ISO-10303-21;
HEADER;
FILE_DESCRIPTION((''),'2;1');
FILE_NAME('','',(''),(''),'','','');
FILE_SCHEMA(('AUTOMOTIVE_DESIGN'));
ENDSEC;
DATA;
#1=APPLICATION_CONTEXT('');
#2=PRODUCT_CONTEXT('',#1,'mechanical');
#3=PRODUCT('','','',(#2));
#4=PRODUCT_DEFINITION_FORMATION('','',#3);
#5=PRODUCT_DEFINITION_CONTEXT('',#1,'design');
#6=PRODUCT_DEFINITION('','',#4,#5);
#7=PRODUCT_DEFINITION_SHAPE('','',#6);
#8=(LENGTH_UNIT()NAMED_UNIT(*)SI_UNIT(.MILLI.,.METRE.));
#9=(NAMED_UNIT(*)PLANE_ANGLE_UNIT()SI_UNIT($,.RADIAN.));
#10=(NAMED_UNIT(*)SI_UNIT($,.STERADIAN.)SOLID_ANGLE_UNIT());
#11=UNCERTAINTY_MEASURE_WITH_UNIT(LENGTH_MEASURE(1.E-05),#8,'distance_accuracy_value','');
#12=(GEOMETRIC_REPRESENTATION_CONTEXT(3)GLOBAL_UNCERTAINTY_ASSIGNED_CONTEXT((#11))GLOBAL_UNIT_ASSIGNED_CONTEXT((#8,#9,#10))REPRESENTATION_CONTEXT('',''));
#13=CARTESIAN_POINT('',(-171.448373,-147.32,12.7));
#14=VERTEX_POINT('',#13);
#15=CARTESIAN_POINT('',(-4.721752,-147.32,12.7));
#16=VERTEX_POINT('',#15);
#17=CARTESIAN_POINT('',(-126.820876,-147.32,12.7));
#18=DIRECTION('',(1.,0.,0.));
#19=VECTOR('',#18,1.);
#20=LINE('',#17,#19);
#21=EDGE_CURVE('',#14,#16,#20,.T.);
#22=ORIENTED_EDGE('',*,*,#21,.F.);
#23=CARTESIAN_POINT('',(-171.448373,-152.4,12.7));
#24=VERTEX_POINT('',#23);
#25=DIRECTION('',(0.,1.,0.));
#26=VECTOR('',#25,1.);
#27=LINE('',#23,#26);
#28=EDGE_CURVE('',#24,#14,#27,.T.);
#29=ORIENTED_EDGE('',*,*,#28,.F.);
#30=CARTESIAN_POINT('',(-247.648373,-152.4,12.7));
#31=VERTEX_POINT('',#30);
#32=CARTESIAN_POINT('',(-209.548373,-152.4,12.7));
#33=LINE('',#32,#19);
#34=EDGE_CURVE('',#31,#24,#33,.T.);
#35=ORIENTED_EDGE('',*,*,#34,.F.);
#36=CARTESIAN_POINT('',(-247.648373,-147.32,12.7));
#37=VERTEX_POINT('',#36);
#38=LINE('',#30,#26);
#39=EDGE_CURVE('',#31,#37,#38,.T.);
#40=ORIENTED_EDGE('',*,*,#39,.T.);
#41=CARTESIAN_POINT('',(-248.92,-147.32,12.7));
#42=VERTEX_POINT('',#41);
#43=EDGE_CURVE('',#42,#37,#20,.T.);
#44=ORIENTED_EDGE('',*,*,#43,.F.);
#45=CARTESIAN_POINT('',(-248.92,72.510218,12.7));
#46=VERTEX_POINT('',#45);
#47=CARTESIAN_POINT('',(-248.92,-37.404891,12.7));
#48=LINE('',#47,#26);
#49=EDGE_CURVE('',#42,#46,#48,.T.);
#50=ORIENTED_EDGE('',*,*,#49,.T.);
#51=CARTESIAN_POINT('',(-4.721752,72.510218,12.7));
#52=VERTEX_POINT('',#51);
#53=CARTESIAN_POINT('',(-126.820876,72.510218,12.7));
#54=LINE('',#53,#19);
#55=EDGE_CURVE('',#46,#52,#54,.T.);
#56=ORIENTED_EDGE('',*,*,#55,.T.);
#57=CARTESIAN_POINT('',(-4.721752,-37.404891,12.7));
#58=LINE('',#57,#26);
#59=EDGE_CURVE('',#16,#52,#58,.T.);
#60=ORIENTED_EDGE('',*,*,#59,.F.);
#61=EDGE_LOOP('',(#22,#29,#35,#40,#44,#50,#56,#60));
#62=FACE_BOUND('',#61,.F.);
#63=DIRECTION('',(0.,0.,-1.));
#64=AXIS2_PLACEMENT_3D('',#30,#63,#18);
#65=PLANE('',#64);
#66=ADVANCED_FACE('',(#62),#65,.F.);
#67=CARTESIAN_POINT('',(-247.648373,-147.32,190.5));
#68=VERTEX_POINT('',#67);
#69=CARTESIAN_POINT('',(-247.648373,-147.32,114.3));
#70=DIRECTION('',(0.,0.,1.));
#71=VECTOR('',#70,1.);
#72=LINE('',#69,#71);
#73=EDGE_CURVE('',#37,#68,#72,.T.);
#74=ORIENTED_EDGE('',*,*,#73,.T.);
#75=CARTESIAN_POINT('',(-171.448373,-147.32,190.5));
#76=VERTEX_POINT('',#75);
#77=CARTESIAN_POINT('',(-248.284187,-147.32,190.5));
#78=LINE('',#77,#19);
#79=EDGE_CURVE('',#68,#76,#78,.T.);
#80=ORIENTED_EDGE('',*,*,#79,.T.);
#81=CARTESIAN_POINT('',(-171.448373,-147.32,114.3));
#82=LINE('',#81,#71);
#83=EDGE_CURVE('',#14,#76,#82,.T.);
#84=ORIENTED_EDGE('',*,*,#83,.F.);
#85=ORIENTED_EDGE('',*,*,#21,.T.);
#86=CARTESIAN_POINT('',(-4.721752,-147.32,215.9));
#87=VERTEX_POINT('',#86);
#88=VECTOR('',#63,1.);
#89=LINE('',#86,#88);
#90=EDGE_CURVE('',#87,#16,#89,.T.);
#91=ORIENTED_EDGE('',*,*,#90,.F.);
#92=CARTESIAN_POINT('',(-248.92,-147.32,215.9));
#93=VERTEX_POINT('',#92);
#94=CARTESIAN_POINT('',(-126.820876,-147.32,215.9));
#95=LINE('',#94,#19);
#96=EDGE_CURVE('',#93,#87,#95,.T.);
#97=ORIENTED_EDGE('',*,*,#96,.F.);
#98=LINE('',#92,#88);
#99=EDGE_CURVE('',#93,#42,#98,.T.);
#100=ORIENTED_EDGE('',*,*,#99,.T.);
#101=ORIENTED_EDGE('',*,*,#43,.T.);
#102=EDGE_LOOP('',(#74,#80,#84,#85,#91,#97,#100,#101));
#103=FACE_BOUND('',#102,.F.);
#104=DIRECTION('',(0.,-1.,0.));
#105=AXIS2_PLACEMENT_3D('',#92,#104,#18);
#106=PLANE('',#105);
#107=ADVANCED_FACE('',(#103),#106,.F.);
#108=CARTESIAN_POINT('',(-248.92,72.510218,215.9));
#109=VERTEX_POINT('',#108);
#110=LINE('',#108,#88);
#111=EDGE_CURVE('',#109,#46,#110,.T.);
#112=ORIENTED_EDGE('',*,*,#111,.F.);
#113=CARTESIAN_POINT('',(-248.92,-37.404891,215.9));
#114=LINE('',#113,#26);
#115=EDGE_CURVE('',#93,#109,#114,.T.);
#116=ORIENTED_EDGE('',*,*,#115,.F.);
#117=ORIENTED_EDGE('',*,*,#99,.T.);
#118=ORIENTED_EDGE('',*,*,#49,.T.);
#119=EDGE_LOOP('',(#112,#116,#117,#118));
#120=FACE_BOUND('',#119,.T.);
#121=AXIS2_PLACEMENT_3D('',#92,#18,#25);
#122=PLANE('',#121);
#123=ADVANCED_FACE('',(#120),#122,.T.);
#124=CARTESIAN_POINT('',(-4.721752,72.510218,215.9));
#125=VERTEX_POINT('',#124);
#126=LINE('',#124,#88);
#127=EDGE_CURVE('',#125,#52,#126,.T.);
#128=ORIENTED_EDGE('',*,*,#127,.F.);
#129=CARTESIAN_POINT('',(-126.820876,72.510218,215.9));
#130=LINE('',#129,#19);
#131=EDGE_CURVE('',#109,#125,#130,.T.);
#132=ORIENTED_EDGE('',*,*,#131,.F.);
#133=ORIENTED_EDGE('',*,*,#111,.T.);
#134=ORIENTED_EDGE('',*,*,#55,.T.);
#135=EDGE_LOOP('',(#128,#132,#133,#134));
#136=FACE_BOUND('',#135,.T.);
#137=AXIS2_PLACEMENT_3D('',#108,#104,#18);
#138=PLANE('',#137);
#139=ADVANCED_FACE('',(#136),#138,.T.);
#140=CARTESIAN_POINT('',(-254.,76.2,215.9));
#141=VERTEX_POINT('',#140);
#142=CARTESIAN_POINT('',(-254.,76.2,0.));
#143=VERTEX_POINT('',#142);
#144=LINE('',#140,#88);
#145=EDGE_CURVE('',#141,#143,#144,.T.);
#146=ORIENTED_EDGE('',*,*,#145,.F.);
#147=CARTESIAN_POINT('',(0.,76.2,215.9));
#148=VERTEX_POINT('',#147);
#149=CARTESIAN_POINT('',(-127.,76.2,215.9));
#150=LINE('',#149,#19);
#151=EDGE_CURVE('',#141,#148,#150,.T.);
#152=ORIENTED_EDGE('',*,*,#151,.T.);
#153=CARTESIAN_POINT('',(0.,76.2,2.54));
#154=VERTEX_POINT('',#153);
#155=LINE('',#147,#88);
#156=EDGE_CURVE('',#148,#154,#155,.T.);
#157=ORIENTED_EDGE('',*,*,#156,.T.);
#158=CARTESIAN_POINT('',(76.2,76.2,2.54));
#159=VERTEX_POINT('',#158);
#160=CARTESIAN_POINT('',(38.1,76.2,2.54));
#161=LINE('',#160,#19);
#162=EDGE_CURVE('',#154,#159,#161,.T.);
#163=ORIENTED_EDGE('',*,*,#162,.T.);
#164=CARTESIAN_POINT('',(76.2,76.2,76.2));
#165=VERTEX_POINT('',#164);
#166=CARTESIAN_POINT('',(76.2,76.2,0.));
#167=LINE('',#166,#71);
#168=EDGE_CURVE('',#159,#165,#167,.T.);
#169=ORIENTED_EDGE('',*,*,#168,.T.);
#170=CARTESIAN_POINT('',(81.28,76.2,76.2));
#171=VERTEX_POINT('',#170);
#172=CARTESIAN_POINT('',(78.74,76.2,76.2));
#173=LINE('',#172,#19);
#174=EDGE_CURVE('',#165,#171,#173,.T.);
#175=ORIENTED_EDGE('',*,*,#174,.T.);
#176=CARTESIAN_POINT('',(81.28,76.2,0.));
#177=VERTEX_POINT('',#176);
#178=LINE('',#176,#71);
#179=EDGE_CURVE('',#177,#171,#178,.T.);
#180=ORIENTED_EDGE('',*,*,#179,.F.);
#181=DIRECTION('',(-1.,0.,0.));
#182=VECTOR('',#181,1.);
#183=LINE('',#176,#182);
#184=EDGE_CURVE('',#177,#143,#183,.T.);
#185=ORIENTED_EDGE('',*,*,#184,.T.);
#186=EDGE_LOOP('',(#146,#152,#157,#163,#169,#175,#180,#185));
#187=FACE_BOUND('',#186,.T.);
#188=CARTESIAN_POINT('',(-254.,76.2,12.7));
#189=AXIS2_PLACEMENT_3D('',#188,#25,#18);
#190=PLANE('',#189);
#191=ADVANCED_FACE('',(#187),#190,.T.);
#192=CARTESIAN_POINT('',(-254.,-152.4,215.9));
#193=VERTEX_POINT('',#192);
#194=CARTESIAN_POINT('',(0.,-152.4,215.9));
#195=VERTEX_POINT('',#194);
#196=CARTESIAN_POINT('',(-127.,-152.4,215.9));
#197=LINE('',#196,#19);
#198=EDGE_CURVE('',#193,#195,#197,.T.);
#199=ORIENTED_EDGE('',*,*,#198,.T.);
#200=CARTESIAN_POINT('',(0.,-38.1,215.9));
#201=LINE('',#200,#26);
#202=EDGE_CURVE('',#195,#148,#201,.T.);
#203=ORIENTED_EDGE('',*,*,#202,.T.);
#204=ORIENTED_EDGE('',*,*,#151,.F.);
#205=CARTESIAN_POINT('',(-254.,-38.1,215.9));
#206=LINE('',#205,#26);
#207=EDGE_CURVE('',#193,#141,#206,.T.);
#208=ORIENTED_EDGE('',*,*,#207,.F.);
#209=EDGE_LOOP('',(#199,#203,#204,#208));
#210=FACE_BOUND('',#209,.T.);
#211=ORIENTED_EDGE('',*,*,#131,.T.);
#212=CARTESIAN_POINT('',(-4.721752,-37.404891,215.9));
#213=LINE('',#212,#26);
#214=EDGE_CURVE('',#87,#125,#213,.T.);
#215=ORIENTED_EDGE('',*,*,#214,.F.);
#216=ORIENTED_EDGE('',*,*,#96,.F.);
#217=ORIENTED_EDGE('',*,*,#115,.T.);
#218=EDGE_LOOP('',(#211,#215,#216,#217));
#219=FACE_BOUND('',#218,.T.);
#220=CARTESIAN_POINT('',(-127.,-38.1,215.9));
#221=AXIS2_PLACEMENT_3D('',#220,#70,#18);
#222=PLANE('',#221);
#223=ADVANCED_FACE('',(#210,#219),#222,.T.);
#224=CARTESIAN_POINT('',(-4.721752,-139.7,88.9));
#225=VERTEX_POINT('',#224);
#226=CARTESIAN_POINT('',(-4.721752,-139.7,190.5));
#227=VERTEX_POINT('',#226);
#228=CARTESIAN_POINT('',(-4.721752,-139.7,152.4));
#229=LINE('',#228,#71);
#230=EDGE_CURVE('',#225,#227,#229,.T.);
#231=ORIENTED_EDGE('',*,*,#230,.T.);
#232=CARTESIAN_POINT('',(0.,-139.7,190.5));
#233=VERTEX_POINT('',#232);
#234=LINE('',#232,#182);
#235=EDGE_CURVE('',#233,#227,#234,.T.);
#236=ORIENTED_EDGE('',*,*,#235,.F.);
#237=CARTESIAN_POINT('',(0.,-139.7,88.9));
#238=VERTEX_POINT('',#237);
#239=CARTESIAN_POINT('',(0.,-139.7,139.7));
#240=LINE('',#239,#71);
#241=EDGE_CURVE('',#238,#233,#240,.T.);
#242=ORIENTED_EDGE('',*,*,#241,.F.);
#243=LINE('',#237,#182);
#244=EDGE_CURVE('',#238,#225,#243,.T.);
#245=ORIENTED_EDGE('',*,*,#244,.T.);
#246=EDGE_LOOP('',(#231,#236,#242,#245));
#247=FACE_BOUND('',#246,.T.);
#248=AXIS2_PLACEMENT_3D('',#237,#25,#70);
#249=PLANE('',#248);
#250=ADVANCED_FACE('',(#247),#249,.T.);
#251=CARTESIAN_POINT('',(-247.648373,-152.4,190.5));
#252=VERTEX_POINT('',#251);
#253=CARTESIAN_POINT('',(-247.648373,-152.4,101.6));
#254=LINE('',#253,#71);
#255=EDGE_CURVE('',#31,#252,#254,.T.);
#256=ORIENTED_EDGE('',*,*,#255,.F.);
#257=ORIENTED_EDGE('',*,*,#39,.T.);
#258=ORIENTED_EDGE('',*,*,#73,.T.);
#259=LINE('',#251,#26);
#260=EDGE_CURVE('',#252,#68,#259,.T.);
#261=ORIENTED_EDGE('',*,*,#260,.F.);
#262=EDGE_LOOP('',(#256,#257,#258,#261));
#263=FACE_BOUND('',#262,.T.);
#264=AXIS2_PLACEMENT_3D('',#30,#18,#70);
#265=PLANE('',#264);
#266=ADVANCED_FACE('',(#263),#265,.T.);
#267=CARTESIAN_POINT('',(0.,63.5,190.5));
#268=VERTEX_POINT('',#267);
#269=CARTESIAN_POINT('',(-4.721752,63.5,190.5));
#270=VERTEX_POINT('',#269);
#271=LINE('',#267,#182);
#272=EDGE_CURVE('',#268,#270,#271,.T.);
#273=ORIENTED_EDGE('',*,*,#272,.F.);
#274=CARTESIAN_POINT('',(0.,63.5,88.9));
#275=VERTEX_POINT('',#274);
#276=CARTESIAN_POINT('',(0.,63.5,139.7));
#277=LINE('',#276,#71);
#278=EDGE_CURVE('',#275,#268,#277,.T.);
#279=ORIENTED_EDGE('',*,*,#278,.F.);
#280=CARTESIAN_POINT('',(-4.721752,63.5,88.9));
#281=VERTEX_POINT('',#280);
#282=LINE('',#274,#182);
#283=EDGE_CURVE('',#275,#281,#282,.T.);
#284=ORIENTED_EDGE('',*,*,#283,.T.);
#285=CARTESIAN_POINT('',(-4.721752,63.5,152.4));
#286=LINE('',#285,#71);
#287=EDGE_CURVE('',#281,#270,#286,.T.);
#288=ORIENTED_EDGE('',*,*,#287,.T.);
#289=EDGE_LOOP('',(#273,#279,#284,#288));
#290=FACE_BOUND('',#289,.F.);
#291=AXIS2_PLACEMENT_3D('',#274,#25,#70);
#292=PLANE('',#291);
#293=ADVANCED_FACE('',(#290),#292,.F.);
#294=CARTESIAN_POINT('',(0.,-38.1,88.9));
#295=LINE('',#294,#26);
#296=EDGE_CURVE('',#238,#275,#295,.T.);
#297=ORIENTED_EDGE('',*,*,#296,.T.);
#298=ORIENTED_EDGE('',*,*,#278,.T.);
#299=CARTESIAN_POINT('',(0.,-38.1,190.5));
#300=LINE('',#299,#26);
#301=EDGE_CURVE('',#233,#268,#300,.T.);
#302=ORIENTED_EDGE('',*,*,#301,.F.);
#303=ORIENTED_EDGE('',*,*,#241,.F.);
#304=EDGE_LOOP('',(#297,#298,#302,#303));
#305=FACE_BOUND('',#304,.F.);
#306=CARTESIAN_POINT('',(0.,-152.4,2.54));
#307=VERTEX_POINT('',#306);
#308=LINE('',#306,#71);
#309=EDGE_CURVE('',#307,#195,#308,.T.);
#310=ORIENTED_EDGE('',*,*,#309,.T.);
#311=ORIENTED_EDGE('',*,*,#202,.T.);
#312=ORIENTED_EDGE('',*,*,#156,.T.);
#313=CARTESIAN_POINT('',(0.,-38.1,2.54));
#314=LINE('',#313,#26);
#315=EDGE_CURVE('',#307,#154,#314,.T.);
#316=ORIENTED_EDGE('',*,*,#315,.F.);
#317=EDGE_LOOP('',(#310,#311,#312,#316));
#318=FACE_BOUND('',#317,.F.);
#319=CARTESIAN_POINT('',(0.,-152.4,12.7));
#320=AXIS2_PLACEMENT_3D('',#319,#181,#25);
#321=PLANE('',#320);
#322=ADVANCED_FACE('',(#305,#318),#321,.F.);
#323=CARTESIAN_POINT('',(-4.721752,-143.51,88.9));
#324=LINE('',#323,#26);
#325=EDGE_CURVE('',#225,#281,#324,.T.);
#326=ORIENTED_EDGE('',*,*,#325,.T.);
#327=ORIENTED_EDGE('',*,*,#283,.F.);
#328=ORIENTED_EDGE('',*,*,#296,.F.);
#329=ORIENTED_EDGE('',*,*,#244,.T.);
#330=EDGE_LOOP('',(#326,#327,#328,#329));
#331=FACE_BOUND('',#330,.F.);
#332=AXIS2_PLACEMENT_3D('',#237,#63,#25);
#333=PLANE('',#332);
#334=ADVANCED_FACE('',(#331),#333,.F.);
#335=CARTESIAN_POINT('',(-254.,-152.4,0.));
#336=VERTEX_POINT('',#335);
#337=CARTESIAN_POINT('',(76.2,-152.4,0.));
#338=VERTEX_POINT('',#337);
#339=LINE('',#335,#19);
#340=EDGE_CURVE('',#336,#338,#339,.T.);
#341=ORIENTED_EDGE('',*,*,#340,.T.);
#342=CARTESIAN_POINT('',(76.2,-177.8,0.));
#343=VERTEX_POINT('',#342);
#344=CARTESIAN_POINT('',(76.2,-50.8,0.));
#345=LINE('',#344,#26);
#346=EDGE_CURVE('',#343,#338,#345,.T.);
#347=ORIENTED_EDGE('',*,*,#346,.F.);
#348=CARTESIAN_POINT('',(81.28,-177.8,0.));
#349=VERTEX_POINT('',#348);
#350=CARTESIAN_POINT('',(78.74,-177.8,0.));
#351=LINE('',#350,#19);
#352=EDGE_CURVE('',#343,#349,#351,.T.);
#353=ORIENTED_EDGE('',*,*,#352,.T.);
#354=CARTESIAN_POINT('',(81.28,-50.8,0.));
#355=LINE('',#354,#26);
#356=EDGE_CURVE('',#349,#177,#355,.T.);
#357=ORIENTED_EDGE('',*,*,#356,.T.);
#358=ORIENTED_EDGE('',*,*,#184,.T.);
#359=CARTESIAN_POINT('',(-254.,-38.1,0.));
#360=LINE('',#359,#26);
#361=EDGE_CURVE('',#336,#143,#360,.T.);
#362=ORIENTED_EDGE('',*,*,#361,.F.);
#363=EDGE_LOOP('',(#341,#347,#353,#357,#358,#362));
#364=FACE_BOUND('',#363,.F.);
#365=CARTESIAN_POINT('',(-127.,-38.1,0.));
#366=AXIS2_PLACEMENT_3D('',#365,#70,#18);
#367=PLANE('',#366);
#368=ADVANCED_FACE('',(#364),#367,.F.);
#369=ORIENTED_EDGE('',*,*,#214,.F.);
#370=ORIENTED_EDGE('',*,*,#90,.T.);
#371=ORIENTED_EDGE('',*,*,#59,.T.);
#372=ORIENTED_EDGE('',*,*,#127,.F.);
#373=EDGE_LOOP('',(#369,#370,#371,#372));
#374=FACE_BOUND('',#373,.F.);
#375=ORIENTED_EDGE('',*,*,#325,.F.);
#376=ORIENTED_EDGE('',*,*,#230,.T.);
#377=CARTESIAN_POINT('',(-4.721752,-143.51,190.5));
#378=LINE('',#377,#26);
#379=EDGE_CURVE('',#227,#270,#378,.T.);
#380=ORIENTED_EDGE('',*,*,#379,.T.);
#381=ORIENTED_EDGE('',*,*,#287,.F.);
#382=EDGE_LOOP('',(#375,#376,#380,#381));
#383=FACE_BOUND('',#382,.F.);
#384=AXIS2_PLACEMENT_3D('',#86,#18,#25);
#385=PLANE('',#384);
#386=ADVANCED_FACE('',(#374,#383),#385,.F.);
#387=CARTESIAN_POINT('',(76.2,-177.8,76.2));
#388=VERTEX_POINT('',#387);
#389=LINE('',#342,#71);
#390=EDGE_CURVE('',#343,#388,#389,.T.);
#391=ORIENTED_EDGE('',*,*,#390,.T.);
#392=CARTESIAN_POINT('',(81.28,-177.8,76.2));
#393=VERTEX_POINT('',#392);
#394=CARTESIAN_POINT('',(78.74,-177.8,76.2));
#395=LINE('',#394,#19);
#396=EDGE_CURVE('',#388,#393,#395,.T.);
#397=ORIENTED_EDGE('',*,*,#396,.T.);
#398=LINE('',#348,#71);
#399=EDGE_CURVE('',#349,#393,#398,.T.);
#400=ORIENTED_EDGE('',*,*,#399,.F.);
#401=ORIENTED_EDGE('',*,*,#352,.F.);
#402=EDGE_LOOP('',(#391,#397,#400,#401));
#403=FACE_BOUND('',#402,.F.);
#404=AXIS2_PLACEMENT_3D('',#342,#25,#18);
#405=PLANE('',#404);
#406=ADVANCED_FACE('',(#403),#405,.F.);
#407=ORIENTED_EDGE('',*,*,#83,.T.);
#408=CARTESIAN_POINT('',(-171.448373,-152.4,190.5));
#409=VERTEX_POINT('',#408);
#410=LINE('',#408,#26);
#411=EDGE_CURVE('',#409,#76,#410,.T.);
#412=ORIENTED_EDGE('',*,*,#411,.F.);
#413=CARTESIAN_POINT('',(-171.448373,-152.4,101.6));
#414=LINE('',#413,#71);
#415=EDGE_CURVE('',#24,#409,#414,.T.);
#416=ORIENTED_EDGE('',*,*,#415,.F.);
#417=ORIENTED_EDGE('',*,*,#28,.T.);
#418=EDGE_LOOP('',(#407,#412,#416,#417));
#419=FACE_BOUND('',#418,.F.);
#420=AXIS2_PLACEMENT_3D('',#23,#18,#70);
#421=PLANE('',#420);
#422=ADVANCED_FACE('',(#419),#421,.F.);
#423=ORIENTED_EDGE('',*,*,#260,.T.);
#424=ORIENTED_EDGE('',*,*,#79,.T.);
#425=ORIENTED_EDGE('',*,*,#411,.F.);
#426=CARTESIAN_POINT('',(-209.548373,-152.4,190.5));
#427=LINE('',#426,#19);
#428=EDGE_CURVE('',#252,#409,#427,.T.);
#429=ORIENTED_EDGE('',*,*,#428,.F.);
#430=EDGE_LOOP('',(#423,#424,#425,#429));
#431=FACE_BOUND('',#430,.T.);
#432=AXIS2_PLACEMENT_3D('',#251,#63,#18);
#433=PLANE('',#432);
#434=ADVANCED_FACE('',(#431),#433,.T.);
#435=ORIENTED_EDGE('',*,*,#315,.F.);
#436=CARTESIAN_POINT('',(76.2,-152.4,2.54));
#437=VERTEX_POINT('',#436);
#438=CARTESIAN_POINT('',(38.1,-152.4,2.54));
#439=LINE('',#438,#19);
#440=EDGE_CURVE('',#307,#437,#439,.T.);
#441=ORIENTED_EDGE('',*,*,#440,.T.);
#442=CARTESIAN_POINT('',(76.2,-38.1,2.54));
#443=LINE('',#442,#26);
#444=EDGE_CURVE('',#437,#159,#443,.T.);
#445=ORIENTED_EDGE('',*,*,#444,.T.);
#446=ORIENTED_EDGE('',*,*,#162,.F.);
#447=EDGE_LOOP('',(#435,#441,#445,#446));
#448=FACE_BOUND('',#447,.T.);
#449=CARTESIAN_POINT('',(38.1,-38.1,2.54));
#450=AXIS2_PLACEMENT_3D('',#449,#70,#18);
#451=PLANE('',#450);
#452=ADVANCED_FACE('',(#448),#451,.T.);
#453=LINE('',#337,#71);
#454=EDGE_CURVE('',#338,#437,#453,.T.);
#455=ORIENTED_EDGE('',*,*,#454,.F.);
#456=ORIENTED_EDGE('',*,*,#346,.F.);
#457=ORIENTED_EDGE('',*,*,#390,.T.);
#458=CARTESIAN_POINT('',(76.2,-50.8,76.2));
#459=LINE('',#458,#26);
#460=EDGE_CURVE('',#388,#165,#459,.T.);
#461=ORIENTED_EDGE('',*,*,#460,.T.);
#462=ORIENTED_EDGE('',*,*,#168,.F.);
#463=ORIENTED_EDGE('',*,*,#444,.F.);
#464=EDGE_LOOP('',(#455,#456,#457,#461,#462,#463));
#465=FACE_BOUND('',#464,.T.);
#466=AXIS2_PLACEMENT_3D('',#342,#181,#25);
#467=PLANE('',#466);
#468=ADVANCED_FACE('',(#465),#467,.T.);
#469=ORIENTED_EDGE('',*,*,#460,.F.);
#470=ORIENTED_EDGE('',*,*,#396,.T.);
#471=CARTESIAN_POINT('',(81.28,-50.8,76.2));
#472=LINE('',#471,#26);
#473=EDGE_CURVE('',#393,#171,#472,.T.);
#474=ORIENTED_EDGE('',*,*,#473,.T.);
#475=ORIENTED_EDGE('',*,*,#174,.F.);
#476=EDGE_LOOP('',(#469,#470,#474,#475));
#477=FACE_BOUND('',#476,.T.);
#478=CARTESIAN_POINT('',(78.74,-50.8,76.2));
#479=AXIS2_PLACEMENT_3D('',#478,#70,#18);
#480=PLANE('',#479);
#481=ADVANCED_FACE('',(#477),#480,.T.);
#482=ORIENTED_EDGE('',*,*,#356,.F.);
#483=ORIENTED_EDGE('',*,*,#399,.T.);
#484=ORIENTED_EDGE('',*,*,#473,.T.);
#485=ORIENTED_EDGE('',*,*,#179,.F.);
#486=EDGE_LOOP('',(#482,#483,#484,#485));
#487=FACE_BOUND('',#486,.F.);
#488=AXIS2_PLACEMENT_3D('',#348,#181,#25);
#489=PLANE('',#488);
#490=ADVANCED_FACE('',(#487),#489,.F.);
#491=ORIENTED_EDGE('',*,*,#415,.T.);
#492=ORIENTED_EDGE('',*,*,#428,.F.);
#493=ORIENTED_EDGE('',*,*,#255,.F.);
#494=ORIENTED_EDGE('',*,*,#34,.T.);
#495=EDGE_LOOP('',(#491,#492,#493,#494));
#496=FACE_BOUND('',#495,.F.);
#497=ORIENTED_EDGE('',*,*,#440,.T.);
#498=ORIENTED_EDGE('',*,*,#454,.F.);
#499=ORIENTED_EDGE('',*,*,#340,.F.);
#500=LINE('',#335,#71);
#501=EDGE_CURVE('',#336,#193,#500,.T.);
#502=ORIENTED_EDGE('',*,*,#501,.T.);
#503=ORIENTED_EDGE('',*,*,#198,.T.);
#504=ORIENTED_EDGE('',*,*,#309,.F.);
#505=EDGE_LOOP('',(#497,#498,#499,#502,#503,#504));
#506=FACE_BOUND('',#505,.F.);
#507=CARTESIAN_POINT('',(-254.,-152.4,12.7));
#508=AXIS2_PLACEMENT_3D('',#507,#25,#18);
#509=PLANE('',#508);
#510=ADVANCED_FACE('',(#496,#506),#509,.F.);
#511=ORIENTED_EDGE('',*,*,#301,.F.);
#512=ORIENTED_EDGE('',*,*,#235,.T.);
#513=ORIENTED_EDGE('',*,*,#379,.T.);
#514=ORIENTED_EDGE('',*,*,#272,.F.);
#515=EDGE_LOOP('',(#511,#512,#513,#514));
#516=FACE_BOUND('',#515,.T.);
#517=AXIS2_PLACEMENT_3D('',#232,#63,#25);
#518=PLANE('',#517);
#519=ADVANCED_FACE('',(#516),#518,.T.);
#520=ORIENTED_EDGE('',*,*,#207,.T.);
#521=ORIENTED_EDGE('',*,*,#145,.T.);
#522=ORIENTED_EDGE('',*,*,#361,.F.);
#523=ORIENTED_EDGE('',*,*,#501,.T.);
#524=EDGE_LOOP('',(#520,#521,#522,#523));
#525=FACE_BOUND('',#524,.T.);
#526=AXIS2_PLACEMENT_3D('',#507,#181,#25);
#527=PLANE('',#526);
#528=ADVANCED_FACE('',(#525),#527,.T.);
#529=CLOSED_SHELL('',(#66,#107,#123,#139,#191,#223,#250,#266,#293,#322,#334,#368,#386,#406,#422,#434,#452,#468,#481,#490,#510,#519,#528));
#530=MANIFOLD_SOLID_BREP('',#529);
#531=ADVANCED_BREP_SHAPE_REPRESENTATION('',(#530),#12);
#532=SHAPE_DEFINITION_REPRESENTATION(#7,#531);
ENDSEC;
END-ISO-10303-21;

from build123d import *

# Parameters (mm, degrees)
F0_W      = 5.08
F0_H      = 254
F1_DEPTH  = 76.2
F2_W      = 76.2
F2_H      = 228.6
F3_DEPTH  = 2.54
F4_W      = 254
F4_H      = 228.6
F5_DEPTH  = 12.7
F6_W      = 254
F6_H      = 228.6
F7_DEPTH  = 203.2
F8_W      = 244.1982476321
F8_H      = 219.8302176212
F9_DEPTH  = 203.2
F10_W     = 203.2
F10_H     = 101.6
F11_DEPTH = 25.4
F12_W     = 76.2
F12_H     = 177.8
F13_DEPTH = 25.4


with BuildPart() as f1:
    # F0 (on Top) → F1 (new body)
    with BuildSketch(Plane.XY):
        with Locations((78.74, -50.8)):
            Rectangle(F0_W, F0_H)
    extrude(amount=F1_DEPTH)

    # F2 (on Top) → F3 (join)
    with BuildSketch(Plane.XY):
        with Locations((38.1, -38.1)):
            Rectangle(F2_W, F2_H)
    extrude(amount=F3_DEPTH)

    # F4 (on Top) → F5 (join)
    with BuildSketch(Plane.XY):
        with Locations((-127, -38.1)):
            Rectangle(F4_W, F4_H)
    extrude(amount=F5_DEPTH)

    # F6 (on face) → F7 (join)
    with BuildSketch(Plane.XY.offset(12.7)):
        with Locations((-127, -38.1)):
            Rectangle(F6_W, F6_H)
    extrude(amount=F7_DEPTH)

    # F8 (on face) → F9 (cut)
    with BuildSketch(Plane.XY.offset(215.9)):
        with Locations((-126.820876184, -37.4048911894)):
            Rectangle(F8_W, F8_H)
    extrude(amount=-F9_DEPTH, mode=Mode.SUBTRACT)

    # F10 (on face) → F11 (cut)
    with BuildSketch(Plane.YZ):
        with Locations((-38.1, 139.7)):
            Rectangle(F10_W, F10_H)
    extrude(amount=-F11_DEPTH, mode=Mode.SUBTRACT)

    # F12 (on face) → F13 (cut)
    with BuildSketch(Plane.XZ.offset(152.4)):
        with Locations((-209.5483732462, 101.6)):
            Rectangle(F12_W, F12_H)
    extrude(amount=-F13_DEPTH, mode=Mode.SUBTRACT)


solid = f1.part
